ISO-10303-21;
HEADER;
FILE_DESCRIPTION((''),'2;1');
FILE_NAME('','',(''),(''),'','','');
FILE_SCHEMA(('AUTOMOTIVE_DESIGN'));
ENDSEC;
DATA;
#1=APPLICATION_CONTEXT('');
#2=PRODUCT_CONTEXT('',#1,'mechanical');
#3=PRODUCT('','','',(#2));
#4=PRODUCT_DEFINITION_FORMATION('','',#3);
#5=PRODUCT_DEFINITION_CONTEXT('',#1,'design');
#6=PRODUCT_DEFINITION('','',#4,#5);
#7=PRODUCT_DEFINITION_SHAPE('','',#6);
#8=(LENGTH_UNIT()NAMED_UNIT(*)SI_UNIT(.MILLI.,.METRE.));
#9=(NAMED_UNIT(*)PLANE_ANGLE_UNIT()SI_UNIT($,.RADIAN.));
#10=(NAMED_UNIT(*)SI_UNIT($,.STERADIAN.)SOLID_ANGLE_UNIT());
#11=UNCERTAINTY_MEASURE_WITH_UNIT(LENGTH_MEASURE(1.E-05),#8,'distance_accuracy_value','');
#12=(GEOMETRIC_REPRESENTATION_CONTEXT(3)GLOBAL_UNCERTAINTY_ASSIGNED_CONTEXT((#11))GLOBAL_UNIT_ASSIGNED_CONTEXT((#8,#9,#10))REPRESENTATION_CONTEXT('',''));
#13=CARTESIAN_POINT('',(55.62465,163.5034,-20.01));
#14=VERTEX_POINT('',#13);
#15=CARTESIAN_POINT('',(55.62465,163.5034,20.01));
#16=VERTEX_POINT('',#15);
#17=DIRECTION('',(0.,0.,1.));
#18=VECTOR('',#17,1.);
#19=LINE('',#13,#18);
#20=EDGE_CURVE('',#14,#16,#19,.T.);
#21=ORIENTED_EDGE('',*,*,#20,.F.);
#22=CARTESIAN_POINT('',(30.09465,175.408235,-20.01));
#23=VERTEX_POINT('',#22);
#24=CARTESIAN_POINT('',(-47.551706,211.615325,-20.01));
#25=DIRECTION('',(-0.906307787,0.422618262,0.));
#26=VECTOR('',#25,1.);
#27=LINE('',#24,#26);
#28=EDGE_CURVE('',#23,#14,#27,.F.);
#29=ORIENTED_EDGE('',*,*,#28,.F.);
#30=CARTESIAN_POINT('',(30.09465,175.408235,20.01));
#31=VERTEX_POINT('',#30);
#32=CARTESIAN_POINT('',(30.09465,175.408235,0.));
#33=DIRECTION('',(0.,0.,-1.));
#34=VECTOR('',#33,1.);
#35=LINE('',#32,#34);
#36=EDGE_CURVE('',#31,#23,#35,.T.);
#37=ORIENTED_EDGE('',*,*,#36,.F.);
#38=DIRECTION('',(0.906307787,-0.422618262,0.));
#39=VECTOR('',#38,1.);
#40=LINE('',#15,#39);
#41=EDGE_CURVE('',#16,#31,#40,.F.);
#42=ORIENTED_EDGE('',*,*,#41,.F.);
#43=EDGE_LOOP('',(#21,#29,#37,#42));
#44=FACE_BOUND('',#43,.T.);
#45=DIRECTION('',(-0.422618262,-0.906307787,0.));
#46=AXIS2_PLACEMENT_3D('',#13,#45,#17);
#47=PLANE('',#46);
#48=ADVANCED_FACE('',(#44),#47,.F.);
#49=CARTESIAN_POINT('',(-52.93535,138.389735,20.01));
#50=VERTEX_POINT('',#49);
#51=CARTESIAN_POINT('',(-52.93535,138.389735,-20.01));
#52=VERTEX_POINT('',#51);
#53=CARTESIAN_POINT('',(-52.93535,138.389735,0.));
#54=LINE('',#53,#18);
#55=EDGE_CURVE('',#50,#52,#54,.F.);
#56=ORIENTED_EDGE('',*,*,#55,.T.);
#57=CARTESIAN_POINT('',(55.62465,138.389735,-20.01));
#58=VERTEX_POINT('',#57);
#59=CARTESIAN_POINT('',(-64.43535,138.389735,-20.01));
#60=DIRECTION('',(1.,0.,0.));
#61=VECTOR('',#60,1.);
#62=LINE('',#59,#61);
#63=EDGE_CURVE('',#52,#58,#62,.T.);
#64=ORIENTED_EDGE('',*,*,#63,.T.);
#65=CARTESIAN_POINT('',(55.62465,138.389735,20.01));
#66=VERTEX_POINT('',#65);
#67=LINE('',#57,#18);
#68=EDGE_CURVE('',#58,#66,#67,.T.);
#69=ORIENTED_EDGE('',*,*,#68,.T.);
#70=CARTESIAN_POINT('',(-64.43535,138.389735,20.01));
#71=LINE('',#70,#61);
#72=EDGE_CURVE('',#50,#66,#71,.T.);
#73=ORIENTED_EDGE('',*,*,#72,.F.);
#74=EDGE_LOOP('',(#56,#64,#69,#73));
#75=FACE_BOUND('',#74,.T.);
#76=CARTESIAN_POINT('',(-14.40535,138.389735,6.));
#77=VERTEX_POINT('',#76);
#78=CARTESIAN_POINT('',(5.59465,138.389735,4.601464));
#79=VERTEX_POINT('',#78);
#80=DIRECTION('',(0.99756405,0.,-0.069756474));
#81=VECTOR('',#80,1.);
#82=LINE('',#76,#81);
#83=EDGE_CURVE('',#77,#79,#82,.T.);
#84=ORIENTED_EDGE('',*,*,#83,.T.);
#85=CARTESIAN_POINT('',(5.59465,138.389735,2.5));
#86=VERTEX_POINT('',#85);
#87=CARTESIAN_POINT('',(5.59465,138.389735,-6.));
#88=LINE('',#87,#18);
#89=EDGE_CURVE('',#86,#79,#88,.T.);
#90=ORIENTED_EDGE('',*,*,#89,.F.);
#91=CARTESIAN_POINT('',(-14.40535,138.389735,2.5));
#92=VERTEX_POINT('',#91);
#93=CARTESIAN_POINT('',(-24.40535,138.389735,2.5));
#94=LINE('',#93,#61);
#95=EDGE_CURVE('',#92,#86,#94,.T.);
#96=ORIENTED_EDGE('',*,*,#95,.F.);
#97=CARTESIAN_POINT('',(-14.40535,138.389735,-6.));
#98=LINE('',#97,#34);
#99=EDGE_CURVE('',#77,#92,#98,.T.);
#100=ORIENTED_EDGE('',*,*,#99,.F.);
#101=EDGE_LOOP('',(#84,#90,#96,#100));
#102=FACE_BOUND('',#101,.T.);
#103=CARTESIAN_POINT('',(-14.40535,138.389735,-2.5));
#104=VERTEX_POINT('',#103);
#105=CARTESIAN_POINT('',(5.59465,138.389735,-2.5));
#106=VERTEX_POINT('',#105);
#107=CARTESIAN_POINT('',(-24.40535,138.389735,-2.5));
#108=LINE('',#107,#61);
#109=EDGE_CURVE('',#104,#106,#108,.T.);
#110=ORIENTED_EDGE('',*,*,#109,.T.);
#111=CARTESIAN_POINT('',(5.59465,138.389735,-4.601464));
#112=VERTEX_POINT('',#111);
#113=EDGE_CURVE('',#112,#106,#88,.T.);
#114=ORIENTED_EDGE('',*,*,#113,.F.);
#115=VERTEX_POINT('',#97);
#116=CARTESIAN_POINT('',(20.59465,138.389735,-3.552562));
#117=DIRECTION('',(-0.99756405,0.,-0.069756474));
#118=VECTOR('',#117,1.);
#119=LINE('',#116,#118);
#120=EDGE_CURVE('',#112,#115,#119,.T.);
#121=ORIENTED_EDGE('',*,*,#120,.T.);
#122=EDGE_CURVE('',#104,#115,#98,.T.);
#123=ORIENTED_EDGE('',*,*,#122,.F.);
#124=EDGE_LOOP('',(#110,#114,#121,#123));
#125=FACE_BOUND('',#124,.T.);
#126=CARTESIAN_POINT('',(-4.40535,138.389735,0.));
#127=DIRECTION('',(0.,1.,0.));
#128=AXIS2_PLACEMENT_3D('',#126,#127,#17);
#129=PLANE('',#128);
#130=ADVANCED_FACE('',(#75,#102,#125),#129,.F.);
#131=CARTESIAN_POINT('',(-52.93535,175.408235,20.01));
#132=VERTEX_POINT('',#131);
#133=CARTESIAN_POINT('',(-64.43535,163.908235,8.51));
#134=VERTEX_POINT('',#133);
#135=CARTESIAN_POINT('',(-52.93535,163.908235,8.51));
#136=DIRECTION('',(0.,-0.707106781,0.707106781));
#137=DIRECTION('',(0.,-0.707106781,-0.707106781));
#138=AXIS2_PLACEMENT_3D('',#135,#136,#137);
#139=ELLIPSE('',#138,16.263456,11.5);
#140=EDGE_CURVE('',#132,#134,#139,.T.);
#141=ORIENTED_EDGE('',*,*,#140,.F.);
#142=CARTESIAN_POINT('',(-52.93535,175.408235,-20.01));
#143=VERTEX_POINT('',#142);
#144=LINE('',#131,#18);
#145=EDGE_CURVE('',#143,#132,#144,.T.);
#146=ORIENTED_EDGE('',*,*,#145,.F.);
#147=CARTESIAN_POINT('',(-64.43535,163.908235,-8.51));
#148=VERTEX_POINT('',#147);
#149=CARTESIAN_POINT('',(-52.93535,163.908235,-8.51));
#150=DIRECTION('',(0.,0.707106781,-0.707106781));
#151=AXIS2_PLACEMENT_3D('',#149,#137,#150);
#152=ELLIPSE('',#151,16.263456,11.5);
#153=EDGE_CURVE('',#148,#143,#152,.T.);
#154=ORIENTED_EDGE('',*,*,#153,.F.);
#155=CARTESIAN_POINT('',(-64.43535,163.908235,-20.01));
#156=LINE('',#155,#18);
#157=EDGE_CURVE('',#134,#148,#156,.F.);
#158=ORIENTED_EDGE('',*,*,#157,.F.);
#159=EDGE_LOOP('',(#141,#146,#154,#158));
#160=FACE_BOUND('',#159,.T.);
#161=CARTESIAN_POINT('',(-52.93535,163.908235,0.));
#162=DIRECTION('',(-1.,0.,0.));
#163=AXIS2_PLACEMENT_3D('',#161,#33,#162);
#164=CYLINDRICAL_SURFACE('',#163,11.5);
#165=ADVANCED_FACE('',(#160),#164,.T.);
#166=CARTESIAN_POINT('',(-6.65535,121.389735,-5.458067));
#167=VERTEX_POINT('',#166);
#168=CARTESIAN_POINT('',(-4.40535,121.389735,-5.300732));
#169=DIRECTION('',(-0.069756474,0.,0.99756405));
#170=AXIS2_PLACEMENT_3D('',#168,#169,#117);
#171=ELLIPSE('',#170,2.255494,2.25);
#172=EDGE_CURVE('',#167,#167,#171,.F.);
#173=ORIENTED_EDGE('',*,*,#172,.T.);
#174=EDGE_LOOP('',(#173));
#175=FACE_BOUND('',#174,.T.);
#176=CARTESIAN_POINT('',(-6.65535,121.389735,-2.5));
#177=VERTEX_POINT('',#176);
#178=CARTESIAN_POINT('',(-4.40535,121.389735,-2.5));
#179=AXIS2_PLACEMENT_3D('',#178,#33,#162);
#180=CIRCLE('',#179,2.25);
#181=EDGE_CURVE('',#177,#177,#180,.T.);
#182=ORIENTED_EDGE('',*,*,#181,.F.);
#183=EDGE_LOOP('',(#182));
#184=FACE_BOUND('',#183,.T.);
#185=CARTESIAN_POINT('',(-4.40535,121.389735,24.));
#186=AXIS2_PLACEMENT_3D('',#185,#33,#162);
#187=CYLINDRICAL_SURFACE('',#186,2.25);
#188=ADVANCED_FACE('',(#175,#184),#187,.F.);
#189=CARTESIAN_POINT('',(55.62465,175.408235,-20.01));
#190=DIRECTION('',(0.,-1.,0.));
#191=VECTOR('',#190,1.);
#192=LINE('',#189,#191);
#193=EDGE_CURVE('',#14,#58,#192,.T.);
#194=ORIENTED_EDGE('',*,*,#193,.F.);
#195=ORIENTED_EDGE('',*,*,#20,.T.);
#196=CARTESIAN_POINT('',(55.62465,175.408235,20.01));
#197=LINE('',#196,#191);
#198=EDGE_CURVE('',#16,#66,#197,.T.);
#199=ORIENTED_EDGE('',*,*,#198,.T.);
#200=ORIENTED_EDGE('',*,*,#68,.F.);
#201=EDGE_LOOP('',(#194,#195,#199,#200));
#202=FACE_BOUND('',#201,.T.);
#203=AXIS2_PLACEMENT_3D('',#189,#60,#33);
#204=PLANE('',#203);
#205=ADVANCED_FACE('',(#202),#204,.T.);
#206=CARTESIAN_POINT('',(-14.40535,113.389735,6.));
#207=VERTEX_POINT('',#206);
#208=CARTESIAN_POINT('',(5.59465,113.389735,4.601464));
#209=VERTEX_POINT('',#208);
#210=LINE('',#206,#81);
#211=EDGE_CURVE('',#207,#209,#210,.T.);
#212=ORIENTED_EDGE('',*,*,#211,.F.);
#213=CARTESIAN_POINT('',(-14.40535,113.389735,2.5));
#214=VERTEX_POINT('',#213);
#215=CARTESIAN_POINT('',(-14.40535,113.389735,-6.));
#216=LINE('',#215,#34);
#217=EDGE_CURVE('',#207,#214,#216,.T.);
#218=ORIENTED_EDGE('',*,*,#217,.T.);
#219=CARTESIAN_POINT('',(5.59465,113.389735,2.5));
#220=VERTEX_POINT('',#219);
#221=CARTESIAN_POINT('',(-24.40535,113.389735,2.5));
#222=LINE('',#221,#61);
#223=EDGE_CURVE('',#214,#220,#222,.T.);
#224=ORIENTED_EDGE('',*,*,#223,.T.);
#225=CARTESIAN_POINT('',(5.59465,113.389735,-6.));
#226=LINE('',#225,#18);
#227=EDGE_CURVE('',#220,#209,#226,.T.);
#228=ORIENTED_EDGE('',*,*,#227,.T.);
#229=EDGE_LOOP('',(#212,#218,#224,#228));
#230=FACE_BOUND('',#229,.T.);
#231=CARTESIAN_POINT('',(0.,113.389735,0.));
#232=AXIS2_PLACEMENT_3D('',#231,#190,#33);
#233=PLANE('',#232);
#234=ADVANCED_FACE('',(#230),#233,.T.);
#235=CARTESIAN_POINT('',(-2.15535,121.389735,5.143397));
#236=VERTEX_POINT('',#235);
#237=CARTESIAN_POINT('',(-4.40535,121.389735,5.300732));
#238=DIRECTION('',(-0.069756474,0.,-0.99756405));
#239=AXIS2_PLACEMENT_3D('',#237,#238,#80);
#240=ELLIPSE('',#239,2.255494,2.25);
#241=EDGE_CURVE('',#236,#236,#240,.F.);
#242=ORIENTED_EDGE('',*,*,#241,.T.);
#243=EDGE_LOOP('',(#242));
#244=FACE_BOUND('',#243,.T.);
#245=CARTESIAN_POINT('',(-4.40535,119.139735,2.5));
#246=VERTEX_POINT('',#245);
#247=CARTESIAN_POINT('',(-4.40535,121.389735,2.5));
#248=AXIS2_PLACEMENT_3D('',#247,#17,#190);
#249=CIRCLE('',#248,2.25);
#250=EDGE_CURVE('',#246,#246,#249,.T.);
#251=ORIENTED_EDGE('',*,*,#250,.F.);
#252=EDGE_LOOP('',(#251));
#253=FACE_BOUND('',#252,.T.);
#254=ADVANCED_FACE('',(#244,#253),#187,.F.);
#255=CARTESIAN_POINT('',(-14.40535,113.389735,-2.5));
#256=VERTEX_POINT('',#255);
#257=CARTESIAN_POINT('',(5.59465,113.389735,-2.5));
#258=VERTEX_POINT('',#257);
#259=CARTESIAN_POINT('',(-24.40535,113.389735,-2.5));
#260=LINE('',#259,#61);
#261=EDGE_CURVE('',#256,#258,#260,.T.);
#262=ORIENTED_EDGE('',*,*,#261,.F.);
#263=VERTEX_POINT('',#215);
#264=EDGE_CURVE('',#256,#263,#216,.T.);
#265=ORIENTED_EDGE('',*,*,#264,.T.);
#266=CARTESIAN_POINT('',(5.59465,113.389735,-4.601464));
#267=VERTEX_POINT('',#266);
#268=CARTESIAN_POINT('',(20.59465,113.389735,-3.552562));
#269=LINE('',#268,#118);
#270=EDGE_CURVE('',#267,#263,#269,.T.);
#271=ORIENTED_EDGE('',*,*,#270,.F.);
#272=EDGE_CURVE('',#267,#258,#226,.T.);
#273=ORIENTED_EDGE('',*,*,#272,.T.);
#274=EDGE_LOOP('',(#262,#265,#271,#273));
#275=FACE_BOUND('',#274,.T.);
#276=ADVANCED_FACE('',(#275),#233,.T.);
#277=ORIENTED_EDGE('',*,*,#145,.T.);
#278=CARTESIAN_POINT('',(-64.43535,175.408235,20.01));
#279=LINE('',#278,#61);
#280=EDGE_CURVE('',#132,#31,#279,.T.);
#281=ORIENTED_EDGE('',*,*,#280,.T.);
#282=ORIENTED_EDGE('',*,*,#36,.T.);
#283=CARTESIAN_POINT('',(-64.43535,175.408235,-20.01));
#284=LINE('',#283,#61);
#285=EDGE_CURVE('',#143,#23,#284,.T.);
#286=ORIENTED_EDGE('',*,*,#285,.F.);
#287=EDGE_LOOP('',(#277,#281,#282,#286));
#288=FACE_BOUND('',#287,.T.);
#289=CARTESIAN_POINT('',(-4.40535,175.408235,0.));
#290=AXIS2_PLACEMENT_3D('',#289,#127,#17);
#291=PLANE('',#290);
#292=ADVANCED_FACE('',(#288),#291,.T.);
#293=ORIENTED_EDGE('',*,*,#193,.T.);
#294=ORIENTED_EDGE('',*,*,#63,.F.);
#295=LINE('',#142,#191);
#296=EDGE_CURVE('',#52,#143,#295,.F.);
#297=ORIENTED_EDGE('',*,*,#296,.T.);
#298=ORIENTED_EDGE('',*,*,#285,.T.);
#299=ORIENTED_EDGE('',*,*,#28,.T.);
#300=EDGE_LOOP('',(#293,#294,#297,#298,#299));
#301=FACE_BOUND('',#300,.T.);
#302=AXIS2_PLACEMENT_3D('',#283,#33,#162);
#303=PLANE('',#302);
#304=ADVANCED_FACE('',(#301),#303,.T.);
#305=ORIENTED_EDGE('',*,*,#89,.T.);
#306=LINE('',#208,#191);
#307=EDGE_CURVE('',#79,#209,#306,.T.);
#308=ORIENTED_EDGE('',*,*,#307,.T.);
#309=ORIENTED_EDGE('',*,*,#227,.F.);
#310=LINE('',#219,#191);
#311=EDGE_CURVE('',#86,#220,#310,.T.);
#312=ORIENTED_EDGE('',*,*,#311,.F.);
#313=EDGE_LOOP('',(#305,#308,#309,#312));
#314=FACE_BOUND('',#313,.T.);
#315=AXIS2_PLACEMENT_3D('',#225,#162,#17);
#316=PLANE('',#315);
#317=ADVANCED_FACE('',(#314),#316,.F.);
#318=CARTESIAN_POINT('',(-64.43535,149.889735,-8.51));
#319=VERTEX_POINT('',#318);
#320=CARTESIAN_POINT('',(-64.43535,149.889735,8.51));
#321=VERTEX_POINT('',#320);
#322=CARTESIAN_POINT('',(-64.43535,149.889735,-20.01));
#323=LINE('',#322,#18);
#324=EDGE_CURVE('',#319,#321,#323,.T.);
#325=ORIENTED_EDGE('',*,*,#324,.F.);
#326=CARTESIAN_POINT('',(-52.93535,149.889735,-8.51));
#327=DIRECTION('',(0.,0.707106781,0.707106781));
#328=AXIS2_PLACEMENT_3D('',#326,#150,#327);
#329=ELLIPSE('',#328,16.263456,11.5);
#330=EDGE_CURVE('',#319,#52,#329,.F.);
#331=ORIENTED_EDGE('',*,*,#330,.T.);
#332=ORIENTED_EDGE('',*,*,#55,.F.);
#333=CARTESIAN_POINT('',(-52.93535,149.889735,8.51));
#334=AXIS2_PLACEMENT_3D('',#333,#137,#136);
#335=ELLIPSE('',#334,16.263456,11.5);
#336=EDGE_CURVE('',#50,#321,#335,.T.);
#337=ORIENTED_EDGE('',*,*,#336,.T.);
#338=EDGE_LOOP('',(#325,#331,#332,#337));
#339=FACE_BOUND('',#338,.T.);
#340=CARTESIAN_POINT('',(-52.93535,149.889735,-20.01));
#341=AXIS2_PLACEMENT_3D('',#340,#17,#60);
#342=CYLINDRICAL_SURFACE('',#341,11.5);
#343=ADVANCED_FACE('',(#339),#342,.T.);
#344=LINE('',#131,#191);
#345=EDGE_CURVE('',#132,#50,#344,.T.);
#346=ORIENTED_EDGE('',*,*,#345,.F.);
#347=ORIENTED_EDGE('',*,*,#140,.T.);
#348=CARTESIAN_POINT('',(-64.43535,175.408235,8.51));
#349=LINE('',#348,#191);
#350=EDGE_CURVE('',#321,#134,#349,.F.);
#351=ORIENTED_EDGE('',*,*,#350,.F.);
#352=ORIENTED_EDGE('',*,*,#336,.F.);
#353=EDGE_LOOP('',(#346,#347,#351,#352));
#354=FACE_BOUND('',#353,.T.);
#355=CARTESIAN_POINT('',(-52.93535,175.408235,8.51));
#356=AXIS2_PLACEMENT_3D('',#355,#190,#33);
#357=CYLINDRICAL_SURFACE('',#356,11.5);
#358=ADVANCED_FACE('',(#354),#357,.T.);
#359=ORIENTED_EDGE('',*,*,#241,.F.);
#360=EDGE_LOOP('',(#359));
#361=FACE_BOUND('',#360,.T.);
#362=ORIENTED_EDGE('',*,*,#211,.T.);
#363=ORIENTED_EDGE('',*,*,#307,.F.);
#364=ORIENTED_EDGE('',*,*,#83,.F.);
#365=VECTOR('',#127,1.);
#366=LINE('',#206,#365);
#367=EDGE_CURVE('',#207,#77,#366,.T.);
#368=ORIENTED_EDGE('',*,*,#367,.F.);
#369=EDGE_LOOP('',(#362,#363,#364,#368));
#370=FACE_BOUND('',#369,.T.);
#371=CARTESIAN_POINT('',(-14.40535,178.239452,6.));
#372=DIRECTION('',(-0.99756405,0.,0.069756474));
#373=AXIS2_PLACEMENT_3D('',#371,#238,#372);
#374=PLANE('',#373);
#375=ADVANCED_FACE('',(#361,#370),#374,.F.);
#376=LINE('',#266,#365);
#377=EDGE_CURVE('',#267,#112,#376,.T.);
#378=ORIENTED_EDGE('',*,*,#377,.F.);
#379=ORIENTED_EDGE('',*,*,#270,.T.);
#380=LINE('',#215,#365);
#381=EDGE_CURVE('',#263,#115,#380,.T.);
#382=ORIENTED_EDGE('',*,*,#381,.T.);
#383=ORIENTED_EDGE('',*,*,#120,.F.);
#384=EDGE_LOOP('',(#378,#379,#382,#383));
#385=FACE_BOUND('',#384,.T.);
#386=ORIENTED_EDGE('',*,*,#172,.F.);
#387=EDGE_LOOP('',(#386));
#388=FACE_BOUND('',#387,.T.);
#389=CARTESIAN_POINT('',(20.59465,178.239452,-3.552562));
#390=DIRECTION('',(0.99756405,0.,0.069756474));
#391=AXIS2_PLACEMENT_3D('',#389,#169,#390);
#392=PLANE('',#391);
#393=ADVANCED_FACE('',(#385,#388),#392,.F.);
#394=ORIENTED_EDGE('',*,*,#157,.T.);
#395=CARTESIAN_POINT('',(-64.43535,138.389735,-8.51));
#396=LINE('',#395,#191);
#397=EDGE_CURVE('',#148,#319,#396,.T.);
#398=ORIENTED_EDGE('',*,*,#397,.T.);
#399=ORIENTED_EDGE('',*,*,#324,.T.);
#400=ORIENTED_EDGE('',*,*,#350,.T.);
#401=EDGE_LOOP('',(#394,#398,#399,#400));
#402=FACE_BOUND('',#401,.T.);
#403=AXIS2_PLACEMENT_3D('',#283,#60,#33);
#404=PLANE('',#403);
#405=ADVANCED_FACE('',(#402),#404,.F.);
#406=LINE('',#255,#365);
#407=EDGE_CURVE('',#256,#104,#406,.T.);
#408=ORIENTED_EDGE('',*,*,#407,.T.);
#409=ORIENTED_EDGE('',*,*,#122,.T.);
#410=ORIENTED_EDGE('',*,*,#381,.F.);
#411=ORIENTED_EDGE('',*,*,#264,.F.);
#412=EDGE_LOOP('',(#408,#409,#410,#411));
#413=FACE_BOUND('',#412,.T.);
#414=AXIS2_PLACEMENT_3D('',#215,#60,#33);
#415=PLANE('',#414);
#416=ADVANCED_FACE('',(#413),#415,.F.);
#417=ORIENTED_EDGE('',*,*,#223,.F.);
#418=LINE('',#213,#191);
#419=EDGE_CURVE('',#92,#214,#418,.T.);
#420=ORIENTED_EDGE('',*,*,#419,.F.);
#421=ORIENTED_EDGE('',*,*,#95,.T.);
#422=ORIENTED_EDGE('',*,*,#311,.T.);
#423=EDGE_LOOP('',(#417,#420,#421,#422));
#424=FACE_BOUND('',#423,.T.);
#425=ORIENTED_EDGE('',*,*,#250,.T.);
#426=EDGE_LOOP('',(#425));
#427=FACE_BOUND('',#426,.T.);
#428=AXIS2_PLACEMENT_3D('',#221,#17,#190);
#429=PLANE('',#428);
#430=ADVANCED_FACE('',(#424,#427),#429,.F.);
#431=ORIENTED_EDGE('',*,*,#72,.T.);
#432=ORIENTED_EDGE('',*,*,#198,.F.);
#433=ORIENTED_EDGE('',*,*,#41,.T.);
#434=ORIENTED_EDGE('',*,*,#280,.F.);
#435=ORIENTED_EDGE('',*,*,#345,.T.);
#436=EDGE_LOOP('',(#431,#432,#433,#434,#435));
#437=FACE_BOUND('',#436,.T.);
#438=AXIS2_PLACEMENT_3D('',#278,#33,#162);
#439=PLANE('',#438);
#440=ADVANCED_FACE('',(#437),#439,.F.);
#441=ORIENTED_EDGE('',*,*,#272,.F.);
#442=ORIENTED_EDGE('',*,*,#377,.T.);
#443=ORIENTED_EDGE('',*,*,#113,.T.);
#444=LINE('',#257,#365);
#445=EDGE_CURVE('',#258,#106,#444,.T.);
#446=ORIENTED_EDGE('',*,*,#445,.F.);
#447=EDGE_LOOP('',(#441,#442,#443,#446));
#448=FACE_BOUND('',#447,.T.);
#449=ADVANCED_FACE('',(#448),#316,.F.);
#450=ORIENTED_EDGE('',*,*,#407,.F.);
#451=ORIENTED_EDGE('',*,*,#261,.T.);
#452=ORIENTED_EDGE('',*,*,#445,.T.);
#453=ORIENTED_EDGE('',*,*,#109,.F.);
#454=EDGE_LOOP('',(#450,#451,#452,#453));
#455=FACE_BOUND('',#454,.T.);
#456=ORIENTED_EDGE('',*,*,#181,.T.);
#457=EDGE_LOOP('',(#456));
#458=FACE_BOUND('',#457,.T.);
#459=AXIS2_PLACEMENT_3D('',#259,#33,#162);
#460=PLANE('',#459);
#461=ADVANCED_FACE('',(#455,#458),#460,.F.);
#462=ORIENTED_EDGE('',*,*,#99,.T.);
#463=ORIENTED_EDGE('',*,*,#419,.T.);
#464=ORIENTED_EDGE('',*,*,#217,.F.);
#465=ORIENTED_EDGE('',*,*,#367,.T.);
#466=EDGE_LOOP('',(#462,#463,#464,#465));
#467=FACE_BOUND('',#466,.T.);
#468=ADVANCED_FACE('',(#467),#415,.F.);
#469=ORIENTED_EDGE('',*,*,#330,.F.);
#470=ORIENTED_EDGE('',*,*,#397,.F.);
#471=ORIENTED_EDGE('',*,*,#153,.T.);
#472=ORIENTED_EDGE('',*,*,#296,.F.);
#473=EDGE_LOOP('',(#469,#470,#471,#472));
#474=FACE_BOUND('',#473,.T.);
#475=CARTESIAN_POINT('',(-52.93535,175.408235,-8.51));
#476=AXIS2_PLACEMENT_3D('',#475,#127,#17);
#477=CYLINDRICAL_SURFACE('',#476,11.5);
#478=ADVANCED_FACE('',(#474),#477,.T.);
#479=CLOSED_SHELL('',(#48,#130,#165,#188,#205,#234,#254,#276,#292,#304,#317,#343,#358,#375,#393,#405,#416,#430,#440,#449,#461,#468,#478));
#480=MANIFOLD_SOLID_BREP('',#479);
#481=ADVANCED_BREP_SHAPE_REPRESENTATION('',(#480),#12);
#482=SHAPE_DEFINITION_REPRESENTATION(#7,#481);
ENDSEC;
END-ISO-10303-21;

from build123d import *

# Parameters (mm, degrees)
SKETCH1_W            = 1044
SKETCH1_H            = 348
BOSS_EXTRUDE1_DEPTH  = 321.9
CHAMFER2_SIZE        = 222
CHAMFER2_SIZE2       = 103.52030011
FILLET1_R            = 100
SCALE1_SCALE         = 0.115
SKETCH175_W          = 20
SKETCH175_H          = 12
BOSS_EXTRUDE12_DEPTH = 25
SKETCH176_W          = 5
SKETCH176_H          = 25
CUT_EXTRUDE1_DEPTH   = 30
SKETCH177_R          = 2.25
CUT_EXTRUDE2_DEPTH   = 30
CUT_EXTRUDE4_DEPTH   = 25


with BuildPart() as part:
    # Sketch1 → Boss-Extrude1 (new body)
    with BuildSketch(Plane(origin=(0, 0, 0), x_dir=(1, 0, 0), z_dir=(0, 1, 0))):
        Rectangle(SKETCH1_W, SKETCH1_H)
    extrude(amount=BOSS_EXTRUDE1_DEPTH)

    # Chamfer2
    chamfer2_edges = [part.edges().sort_by_distance(p)[0] for p in [
        (522, 321.9, 0),
    ]]
    chamfer2_side = [part.faces().sort_by_distance(p)[0] for p in [
        (0, 321.9, 0),
    ]]
    chamfer(chamfer2_edges, length=CHAMFER2_SIZE, length2=CHAMFER2_SIZE2, reference=chamfer2_side[0])

    # Fillet1
    fillet1_edges = [part.edges().sort_by_distance(p)[0] for p in [
        (-522, 321.9, 0),
        (-522, 0, 0),
        (-522, 160.95, -174),
        (-522, 160.95, 174),
    ]]
    fillet(fillet1_edges, radius=FILLET1_R)


with BuildPart() as part_1:
    # Scale1: scaled about (-4.978902211, 156.372589253, 0)
    add(part.part.scale(SCALE1_SCALE).moved(Location((-4.406328457, 138.389741489, 0))))


with BuildPart() as boss_extrude12_tool:
    # Sketch175 → Boss-Extrude12 (new body)
    with BuildSketch(Plane.XZ.offset(-138.389734505)):
        with Locations((-4.405349795, 0)):
            Rectangle(SKETCH175_W, SKETCH175_H)
    extrude(amount=BOSS_EXTRUDE12_DEPTH)


with BuildPart() as part_2:
    add(part_1.part)


with BuildPart() as part_3:
    # Boss-Extrude12: joined with boss_extrude12_tool
    add(part_2.part.fuse(boss_extrude12_tool.part, tol=0.00001))

    # Sketch176 → Cut-Extrude1 (cut)
    with BuildSketch(Plane(origin=(5.594650205, 0, 0), x_dir=(0, 0, -1), z_dir=(1, 0, 0))):
        with Locations((0, 125.889734505)):
            Rectangle(SKETCH176_W, SKETCH176_H)
    extrude(amount=-CUT_EXTRUDE1_DEPTH, mode=Mode.SUBTRACT)

    # Sketch177 → Cut-Extrude2 (cut)
    with BuildSketch(Plane(origin=(0, 0, -6), x_dir=(-1, 0, 0), z_dir=(0, 0, -1))):
        with Locations((4.405349795, 121.389734505)):
            Circle(SKETCH177_R)
    extrude(amount=-CUT_EXTRUDE2_DEPTH, mode=Mode.SUBTRACT)

    # Sketch179 → Cut-Extrude4 (cut)
    with BuildSketch(Plane.XZ.offset(-113.389734505)):
        Polygon((-14.405349795, 6), (20.594650205, 3.552561582), (20.594650205, -3.552561582), (-14.405349795, -6), (23.594650205, -6), (23.594650205, 6), align=None)
    extrude(amount=-CUT_EXTRUDE4_DEPTH, mode=Mode.SUBTRACT)


solid = part_3.part
